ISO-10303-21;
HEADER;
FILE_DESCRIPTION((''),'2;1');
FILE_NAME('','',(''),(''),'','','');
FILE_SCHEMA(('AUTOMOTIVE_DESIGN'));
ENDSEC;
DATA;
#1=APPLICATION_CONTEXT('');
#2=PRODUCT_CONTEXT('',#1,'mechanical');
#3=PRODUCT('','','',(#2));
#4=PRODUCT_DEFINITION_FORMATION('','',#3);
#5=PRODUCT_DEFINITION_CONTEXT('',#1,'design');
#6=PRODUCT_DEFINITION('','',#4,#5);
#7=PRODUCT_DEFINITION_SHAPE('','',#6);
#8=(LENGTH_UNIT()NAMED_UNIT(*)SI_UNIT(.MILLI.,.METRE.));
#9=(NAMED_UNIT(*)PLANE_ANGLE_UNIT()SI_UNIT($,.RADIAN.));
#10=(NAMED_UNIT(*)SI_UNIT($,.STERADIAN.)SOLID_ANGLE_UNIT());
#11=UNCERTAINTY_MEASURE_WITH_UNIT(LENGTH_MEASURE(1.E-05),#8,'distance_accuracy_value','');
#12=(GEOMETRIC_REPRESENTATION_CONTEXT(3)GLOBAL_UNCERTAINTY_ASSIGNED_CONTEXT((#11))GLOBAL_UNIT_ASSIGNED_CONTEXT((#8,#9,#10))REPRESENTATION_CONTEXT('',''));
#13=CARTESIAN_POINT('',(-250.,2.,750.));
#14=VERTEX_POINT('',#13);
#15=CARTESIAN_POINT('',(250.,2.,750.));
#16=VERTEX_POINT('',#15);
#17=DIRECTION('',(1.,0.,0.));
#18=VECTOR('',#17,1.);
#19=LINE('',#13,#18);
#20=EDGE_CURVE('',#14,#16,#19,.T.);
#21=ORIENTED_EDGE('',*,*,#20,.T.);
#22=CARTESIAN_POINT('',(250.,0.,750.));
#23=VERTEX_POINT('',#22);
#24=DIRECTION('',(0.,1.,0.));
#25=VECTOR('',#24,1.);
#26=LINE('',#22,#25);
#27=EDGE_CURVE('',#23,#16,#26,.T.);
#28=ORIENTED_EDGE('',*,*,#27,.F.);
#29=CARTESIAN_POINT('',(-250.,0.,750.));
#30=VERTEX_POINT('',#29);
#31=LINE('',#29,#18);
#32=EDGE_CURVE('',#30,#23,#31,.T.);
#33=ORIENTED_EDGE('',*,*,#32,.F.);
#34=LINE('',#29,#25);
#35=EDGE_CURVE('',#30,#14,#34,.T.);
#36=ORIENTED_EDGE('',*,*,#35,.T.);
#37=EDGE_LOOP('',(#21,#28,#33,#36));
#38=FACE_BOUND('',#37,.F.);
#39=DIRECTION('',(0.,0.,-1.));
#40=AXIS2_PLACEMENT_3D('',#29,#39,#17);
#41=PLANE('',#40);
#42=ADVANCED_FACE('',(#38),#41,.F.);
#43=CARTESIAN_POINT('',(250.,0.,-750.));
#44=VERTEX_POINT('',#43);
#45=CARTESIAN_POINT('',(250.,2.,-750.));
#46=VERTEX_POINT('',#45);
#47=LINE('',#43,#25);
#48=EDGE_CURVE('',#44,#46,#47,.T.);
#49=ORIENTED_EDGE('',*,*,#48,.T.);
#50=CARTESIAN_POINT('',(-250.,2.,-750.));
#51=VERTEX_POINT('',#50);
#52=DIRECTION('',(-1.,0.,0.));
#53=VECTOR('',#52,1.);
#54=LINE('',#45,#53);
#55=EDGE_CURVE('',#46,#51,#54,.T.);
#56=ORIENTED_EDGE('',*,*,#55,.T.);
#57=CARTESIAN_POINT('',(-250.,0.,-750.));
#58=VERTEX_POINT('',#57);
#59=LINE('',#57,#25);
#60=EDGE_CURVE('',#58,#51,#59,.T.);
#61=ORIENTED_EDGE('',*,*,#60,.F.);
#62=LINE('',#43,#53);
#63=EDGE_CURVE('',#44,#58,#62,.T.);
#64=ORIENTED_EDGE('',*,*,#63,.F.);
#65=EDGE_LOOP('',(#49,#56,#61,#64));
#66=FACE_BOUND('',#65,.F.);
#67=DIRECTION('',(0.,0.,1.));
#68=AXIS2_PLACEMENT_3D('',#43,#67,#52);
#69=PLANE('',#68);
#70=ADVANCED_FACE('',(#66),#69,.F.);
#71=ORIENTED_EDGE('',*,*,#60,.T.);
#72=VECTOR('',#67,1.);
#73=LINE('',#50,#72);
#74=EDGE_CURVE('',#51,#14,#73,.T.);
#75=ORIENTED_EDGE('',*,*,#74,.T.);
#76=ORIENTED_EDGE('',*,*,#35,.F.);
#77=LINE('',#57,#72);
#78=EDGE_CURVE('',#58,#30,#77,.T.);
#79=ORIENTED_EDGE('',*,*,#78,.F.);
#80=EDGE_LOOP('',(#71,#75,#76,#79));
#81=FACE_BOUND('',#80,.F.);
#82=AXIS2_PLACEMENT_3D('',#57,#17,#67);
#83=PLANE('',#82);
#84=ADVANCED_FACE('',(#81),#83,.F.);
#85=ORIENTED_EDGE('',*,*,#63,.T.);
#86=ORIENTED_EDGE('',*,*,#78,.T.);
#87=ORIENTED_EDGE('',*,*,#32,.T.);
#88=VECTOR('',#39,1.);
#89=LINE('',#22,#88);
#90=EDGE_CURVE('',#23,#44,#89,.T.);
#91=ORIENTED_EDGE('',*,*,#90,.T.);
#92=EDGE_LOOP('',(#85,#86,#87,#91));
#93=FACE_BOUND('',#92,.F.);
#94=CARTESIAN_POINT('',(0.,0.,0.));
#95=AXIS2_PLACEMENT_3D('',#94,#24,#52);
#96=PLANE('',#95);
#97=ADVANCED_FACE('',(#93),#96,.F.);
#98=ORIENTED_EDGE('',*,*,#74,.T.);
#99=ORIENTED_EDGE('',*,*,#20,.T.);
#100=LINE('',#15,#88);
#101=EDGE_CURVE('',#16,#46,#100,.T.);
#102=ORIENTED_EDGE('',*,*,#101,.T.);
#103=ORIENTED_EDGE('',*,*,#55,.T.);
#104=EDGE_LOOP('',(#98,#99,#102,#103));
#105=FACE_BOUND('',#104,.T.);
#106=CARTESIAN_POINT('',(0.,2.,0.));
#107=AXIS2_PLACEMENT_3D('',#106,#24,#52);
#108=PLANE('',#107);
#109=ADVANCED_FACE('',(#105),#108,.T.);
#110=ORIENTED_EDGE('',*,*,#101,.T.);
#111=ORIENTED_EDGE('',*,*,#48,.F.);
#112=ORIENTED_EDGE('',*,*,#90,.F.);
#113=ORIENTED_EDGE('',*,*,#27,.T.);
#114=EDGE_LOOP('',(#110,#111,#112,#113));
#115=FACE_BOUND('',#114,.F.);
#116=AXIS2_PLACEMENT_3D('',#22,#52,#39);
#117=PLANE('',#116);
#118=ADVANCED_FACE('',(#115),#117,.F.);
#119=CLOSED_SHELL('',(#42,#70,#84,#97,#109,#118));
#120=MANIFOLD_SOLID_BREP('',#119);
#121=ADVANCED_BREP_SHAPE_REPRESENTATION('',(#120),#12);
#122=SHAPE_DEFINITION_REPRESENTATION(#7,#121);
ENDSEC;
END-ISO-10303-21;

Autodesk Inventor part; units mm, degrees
ref_plane "YZ Plane" through (0, 0, 0) normal (1, 0, 0) x (0, 1, 0)
ref_plane "XZ Plane" through (0, 0, 0) normal (0, 1, 0) x (-1, 0, 0)
ref_plane "XY Plane" through (0, 0, 0) normal (0, 0, 1) x (1, 0, 0)
sketch "スケッチ1" plane through (0, 0, 0) normal (0, 1, 0) x (-1, 0, 0)
  line L0 (-250, -750) -> (250, -750)
  line L1 (250, -750) -> (250, 750)
  line L2 (250, 750) -> (-250, 750)
  line L3 (-250, 750) -> (-250, -750)
  line L4 (-250, -750) -> (250, 750) construction
  line L5 (250, -750) -> (-250, 750) construction
  point P0 (0, 0)
  dimension "d0" = 1500
  dimension "d1" = 500
extrude "押し出し1" add sketch "スケッチ1" along normal blind 2
properties part number "Panel_C" material "アルミニウム 6061"
